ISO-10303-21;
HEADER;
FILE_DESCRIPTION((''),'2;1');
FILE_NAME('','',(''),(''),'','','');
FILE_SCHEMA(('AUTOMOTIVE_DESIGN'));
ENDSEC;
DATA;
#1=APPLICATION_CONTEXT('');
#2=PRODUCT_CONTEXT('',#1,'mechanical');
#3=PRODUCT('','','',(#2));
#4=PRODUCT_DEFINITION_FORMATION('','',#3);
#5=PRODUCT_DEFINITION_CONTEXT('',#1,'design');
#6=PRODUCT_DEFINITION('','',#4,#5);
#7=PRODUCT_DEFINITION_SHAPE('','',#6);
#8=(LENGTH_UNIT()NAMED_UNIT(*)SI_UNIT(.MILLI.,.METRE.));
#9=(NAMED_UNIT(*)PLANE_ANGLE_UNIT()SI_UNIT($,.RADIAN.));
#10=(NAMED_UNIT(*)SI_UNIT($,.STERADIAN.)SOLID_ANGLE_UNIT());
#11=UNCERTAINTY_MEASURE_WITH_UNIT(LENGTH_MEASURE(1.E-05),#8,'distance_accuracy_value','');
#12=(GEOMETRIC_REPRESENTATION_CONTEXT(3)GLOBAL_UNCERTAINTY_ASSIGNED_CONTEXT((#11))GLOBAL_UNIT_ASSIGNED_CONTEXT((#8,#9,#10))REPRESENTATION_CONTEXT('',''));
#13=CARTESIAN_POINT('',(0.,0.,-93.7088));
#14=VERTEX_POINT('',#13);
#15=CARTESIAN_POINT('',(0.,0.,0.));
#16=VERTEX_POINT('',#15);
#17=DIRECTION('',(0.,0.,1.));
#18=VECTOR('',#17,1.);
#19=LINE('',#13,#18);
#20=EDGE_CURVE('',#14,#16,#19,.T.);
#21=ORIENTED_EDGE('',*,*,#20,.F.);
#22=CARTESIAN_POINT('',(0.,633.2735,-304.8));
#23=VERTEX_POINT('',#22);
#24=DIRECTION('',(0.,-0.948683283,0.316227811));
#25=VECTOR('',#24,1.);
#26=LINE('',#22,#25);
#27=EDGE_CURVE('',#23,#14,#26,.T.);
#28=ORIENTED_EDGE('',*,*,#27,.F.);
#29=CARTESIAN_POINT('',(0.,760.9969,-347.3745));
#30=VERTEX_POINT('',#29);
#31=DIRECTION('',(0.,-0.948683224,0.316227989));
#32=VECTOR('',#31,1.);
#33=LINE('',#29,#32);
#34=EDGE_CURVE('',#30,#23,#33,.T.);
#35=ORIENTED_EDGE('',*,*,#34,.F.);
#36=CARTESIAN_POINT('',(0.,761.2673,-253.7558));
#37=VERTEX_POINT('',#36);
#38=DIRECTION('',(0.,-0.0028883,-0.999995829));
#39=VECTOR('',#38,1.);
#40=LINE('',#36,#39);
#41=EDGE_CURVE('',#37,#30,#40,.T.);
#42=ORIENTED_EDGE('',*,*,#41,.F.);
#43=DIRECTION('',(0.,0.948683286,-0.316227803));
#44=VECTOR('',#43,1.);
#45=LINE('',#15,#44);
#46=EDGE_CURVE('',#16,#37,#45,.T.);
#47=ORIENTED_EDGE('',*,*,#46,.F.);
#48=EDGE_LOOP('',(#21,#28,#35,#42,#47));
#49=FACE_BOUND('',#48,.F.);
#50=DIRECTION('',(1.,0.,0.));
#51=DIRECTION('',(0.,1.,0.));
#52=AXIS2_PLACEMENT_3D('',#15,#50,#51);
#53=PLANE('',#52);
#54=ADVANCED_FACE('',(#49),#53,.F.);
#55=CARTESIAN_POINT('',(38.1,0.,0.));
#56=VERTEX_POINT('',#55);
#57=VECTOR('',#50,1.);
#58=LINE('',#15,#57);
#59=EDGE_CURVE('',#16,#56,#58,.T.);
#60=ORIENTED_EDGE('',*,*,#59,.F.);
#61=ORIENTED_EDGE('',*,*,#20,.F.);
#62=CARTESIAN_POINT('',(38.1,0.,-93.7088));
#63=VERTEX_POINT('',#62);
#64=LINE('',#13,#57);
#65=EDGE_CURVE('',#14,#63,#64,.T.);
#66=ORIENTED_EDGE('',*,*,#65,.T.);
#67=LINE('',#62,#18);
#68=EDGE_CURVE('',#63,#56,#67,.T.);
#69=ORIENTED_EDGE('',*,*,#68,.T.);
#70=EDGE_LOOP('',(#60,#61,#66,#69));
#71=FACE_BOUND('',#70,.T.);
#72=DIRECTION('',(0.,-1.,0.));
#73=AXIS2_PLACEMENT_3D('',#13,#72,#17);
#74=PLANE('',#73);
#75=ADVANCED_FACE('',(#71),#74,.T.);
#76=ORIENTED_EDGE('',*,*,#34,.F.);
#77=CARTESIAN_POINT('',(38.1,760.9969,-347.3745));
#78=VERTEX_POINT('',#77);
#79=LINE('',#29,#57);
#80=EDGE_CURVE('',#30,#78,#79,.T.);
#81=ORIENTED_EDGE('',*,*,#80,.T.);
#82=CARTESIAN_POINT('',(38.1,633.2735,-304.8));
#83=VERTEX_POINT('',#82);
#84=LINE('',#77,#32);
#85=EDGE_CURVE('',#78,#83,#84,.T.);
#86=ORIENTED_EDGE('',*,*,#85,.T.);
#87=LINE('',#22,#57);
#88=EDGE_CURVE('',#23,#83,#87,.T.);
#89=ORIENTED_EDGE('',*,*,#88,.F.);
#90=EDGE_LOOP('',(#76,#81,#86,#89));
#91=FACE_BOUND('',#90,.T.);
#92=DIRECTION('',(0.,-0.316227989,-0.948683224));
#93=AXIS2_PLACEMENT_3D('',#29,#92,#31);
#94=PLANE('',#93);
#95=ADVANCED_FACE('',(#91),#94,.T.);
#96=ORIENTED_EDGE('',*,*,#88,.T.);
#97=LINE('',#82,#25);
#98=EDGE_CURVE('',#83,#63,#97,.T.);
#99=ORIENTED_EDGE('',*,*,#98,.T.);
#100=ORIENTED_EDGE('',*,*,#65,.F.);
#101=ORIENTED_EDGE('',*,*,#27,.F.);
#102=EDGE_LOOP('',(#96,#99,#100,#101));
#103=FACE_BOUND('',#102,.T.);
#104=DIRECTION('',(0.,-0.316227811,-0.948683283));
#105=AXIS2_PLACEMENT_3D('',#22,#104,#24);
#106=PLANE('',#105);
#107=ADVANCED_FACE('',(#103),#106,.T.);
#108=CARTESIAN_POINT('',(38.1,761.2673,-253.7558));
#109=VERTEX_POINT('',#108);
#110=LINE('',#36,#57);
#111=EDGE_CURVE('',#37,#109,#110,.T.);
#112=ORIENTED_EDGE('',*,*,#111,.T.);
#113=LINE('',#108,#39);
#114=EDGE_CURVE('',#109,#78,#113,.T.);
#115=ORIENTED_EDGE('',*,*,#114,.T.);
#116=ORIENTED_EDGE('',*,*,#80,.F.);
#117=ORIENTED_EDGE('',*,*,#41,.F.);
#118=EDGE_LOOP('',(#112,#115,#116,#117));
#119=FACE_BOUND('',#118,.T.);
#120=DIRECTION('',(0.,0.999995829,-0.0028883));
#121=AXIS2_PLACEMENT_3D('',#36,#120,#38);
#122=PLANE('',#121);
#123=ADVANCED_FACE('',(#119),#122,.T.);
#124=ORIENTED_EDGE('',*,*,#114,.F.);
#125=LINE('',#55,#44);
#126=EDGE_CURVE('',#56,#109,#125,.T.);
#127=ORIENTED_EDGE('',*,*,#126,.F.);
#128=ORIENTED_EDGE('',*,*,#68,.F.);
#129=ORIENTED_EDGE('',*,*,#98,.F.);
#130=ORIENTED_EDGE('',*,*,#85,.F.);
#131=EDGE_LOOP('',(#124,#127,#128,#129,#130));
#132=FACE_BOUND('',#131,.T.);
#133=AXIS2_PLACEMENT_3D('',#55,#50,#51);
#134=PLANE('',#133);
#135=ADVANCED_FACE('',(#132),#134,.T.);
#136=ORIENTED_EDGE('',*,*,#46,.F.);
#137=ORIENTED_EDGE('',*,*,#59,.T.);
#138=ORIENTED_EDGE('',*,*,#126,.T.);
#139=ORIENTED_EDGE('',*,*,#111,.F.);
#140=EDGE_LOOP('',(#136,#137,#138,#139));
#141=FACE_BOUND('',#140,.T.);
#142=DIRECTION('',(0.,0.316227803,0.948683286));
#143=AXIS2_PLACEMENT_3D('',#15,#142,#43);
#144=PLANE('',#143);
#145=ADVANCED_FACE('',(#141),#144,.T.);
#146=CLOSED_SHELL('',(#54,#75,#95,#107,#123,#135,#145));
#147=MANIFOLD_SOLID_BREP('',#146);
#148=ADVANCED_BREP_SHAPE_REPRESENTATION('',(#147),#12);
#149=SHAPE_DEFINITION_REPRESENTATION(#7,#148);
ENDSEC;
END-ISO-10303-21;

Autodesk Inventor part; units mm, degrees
ref_plane "YZ Plane" through (0, 0, 0) normal (1, 0, 0) x (0, 1, 0)
ref_plane "XZ Plane" through (0, 0, 0) normal (0, 1, 0) x (-1, 0, 0)
ref_plane "XY Plane" through (0, 0, 0) normal (0, 0, 1) x (1, 0, 0)
sketch "Sketch1" plane through (0, 0, 0) normal (1, 0, 0) x (0, 1, 0)
  line L0 (0, -93.7088) -> (0, 0)
  line L1 (0, 0) -> (761.2673, -253.7558)
  line L2 (760.9969, -347.3745) -> (633.2735, -304.8)
  line L3 (633.2735, -304.8) -> (0, -93.7088)
  line L4 (761.2673, -253.7558) -> (760.9969, -347.3745)
extrude "Extrusion1" add sketch "Sketch1" along normal blind 38.1
properties part number "taildiag"
